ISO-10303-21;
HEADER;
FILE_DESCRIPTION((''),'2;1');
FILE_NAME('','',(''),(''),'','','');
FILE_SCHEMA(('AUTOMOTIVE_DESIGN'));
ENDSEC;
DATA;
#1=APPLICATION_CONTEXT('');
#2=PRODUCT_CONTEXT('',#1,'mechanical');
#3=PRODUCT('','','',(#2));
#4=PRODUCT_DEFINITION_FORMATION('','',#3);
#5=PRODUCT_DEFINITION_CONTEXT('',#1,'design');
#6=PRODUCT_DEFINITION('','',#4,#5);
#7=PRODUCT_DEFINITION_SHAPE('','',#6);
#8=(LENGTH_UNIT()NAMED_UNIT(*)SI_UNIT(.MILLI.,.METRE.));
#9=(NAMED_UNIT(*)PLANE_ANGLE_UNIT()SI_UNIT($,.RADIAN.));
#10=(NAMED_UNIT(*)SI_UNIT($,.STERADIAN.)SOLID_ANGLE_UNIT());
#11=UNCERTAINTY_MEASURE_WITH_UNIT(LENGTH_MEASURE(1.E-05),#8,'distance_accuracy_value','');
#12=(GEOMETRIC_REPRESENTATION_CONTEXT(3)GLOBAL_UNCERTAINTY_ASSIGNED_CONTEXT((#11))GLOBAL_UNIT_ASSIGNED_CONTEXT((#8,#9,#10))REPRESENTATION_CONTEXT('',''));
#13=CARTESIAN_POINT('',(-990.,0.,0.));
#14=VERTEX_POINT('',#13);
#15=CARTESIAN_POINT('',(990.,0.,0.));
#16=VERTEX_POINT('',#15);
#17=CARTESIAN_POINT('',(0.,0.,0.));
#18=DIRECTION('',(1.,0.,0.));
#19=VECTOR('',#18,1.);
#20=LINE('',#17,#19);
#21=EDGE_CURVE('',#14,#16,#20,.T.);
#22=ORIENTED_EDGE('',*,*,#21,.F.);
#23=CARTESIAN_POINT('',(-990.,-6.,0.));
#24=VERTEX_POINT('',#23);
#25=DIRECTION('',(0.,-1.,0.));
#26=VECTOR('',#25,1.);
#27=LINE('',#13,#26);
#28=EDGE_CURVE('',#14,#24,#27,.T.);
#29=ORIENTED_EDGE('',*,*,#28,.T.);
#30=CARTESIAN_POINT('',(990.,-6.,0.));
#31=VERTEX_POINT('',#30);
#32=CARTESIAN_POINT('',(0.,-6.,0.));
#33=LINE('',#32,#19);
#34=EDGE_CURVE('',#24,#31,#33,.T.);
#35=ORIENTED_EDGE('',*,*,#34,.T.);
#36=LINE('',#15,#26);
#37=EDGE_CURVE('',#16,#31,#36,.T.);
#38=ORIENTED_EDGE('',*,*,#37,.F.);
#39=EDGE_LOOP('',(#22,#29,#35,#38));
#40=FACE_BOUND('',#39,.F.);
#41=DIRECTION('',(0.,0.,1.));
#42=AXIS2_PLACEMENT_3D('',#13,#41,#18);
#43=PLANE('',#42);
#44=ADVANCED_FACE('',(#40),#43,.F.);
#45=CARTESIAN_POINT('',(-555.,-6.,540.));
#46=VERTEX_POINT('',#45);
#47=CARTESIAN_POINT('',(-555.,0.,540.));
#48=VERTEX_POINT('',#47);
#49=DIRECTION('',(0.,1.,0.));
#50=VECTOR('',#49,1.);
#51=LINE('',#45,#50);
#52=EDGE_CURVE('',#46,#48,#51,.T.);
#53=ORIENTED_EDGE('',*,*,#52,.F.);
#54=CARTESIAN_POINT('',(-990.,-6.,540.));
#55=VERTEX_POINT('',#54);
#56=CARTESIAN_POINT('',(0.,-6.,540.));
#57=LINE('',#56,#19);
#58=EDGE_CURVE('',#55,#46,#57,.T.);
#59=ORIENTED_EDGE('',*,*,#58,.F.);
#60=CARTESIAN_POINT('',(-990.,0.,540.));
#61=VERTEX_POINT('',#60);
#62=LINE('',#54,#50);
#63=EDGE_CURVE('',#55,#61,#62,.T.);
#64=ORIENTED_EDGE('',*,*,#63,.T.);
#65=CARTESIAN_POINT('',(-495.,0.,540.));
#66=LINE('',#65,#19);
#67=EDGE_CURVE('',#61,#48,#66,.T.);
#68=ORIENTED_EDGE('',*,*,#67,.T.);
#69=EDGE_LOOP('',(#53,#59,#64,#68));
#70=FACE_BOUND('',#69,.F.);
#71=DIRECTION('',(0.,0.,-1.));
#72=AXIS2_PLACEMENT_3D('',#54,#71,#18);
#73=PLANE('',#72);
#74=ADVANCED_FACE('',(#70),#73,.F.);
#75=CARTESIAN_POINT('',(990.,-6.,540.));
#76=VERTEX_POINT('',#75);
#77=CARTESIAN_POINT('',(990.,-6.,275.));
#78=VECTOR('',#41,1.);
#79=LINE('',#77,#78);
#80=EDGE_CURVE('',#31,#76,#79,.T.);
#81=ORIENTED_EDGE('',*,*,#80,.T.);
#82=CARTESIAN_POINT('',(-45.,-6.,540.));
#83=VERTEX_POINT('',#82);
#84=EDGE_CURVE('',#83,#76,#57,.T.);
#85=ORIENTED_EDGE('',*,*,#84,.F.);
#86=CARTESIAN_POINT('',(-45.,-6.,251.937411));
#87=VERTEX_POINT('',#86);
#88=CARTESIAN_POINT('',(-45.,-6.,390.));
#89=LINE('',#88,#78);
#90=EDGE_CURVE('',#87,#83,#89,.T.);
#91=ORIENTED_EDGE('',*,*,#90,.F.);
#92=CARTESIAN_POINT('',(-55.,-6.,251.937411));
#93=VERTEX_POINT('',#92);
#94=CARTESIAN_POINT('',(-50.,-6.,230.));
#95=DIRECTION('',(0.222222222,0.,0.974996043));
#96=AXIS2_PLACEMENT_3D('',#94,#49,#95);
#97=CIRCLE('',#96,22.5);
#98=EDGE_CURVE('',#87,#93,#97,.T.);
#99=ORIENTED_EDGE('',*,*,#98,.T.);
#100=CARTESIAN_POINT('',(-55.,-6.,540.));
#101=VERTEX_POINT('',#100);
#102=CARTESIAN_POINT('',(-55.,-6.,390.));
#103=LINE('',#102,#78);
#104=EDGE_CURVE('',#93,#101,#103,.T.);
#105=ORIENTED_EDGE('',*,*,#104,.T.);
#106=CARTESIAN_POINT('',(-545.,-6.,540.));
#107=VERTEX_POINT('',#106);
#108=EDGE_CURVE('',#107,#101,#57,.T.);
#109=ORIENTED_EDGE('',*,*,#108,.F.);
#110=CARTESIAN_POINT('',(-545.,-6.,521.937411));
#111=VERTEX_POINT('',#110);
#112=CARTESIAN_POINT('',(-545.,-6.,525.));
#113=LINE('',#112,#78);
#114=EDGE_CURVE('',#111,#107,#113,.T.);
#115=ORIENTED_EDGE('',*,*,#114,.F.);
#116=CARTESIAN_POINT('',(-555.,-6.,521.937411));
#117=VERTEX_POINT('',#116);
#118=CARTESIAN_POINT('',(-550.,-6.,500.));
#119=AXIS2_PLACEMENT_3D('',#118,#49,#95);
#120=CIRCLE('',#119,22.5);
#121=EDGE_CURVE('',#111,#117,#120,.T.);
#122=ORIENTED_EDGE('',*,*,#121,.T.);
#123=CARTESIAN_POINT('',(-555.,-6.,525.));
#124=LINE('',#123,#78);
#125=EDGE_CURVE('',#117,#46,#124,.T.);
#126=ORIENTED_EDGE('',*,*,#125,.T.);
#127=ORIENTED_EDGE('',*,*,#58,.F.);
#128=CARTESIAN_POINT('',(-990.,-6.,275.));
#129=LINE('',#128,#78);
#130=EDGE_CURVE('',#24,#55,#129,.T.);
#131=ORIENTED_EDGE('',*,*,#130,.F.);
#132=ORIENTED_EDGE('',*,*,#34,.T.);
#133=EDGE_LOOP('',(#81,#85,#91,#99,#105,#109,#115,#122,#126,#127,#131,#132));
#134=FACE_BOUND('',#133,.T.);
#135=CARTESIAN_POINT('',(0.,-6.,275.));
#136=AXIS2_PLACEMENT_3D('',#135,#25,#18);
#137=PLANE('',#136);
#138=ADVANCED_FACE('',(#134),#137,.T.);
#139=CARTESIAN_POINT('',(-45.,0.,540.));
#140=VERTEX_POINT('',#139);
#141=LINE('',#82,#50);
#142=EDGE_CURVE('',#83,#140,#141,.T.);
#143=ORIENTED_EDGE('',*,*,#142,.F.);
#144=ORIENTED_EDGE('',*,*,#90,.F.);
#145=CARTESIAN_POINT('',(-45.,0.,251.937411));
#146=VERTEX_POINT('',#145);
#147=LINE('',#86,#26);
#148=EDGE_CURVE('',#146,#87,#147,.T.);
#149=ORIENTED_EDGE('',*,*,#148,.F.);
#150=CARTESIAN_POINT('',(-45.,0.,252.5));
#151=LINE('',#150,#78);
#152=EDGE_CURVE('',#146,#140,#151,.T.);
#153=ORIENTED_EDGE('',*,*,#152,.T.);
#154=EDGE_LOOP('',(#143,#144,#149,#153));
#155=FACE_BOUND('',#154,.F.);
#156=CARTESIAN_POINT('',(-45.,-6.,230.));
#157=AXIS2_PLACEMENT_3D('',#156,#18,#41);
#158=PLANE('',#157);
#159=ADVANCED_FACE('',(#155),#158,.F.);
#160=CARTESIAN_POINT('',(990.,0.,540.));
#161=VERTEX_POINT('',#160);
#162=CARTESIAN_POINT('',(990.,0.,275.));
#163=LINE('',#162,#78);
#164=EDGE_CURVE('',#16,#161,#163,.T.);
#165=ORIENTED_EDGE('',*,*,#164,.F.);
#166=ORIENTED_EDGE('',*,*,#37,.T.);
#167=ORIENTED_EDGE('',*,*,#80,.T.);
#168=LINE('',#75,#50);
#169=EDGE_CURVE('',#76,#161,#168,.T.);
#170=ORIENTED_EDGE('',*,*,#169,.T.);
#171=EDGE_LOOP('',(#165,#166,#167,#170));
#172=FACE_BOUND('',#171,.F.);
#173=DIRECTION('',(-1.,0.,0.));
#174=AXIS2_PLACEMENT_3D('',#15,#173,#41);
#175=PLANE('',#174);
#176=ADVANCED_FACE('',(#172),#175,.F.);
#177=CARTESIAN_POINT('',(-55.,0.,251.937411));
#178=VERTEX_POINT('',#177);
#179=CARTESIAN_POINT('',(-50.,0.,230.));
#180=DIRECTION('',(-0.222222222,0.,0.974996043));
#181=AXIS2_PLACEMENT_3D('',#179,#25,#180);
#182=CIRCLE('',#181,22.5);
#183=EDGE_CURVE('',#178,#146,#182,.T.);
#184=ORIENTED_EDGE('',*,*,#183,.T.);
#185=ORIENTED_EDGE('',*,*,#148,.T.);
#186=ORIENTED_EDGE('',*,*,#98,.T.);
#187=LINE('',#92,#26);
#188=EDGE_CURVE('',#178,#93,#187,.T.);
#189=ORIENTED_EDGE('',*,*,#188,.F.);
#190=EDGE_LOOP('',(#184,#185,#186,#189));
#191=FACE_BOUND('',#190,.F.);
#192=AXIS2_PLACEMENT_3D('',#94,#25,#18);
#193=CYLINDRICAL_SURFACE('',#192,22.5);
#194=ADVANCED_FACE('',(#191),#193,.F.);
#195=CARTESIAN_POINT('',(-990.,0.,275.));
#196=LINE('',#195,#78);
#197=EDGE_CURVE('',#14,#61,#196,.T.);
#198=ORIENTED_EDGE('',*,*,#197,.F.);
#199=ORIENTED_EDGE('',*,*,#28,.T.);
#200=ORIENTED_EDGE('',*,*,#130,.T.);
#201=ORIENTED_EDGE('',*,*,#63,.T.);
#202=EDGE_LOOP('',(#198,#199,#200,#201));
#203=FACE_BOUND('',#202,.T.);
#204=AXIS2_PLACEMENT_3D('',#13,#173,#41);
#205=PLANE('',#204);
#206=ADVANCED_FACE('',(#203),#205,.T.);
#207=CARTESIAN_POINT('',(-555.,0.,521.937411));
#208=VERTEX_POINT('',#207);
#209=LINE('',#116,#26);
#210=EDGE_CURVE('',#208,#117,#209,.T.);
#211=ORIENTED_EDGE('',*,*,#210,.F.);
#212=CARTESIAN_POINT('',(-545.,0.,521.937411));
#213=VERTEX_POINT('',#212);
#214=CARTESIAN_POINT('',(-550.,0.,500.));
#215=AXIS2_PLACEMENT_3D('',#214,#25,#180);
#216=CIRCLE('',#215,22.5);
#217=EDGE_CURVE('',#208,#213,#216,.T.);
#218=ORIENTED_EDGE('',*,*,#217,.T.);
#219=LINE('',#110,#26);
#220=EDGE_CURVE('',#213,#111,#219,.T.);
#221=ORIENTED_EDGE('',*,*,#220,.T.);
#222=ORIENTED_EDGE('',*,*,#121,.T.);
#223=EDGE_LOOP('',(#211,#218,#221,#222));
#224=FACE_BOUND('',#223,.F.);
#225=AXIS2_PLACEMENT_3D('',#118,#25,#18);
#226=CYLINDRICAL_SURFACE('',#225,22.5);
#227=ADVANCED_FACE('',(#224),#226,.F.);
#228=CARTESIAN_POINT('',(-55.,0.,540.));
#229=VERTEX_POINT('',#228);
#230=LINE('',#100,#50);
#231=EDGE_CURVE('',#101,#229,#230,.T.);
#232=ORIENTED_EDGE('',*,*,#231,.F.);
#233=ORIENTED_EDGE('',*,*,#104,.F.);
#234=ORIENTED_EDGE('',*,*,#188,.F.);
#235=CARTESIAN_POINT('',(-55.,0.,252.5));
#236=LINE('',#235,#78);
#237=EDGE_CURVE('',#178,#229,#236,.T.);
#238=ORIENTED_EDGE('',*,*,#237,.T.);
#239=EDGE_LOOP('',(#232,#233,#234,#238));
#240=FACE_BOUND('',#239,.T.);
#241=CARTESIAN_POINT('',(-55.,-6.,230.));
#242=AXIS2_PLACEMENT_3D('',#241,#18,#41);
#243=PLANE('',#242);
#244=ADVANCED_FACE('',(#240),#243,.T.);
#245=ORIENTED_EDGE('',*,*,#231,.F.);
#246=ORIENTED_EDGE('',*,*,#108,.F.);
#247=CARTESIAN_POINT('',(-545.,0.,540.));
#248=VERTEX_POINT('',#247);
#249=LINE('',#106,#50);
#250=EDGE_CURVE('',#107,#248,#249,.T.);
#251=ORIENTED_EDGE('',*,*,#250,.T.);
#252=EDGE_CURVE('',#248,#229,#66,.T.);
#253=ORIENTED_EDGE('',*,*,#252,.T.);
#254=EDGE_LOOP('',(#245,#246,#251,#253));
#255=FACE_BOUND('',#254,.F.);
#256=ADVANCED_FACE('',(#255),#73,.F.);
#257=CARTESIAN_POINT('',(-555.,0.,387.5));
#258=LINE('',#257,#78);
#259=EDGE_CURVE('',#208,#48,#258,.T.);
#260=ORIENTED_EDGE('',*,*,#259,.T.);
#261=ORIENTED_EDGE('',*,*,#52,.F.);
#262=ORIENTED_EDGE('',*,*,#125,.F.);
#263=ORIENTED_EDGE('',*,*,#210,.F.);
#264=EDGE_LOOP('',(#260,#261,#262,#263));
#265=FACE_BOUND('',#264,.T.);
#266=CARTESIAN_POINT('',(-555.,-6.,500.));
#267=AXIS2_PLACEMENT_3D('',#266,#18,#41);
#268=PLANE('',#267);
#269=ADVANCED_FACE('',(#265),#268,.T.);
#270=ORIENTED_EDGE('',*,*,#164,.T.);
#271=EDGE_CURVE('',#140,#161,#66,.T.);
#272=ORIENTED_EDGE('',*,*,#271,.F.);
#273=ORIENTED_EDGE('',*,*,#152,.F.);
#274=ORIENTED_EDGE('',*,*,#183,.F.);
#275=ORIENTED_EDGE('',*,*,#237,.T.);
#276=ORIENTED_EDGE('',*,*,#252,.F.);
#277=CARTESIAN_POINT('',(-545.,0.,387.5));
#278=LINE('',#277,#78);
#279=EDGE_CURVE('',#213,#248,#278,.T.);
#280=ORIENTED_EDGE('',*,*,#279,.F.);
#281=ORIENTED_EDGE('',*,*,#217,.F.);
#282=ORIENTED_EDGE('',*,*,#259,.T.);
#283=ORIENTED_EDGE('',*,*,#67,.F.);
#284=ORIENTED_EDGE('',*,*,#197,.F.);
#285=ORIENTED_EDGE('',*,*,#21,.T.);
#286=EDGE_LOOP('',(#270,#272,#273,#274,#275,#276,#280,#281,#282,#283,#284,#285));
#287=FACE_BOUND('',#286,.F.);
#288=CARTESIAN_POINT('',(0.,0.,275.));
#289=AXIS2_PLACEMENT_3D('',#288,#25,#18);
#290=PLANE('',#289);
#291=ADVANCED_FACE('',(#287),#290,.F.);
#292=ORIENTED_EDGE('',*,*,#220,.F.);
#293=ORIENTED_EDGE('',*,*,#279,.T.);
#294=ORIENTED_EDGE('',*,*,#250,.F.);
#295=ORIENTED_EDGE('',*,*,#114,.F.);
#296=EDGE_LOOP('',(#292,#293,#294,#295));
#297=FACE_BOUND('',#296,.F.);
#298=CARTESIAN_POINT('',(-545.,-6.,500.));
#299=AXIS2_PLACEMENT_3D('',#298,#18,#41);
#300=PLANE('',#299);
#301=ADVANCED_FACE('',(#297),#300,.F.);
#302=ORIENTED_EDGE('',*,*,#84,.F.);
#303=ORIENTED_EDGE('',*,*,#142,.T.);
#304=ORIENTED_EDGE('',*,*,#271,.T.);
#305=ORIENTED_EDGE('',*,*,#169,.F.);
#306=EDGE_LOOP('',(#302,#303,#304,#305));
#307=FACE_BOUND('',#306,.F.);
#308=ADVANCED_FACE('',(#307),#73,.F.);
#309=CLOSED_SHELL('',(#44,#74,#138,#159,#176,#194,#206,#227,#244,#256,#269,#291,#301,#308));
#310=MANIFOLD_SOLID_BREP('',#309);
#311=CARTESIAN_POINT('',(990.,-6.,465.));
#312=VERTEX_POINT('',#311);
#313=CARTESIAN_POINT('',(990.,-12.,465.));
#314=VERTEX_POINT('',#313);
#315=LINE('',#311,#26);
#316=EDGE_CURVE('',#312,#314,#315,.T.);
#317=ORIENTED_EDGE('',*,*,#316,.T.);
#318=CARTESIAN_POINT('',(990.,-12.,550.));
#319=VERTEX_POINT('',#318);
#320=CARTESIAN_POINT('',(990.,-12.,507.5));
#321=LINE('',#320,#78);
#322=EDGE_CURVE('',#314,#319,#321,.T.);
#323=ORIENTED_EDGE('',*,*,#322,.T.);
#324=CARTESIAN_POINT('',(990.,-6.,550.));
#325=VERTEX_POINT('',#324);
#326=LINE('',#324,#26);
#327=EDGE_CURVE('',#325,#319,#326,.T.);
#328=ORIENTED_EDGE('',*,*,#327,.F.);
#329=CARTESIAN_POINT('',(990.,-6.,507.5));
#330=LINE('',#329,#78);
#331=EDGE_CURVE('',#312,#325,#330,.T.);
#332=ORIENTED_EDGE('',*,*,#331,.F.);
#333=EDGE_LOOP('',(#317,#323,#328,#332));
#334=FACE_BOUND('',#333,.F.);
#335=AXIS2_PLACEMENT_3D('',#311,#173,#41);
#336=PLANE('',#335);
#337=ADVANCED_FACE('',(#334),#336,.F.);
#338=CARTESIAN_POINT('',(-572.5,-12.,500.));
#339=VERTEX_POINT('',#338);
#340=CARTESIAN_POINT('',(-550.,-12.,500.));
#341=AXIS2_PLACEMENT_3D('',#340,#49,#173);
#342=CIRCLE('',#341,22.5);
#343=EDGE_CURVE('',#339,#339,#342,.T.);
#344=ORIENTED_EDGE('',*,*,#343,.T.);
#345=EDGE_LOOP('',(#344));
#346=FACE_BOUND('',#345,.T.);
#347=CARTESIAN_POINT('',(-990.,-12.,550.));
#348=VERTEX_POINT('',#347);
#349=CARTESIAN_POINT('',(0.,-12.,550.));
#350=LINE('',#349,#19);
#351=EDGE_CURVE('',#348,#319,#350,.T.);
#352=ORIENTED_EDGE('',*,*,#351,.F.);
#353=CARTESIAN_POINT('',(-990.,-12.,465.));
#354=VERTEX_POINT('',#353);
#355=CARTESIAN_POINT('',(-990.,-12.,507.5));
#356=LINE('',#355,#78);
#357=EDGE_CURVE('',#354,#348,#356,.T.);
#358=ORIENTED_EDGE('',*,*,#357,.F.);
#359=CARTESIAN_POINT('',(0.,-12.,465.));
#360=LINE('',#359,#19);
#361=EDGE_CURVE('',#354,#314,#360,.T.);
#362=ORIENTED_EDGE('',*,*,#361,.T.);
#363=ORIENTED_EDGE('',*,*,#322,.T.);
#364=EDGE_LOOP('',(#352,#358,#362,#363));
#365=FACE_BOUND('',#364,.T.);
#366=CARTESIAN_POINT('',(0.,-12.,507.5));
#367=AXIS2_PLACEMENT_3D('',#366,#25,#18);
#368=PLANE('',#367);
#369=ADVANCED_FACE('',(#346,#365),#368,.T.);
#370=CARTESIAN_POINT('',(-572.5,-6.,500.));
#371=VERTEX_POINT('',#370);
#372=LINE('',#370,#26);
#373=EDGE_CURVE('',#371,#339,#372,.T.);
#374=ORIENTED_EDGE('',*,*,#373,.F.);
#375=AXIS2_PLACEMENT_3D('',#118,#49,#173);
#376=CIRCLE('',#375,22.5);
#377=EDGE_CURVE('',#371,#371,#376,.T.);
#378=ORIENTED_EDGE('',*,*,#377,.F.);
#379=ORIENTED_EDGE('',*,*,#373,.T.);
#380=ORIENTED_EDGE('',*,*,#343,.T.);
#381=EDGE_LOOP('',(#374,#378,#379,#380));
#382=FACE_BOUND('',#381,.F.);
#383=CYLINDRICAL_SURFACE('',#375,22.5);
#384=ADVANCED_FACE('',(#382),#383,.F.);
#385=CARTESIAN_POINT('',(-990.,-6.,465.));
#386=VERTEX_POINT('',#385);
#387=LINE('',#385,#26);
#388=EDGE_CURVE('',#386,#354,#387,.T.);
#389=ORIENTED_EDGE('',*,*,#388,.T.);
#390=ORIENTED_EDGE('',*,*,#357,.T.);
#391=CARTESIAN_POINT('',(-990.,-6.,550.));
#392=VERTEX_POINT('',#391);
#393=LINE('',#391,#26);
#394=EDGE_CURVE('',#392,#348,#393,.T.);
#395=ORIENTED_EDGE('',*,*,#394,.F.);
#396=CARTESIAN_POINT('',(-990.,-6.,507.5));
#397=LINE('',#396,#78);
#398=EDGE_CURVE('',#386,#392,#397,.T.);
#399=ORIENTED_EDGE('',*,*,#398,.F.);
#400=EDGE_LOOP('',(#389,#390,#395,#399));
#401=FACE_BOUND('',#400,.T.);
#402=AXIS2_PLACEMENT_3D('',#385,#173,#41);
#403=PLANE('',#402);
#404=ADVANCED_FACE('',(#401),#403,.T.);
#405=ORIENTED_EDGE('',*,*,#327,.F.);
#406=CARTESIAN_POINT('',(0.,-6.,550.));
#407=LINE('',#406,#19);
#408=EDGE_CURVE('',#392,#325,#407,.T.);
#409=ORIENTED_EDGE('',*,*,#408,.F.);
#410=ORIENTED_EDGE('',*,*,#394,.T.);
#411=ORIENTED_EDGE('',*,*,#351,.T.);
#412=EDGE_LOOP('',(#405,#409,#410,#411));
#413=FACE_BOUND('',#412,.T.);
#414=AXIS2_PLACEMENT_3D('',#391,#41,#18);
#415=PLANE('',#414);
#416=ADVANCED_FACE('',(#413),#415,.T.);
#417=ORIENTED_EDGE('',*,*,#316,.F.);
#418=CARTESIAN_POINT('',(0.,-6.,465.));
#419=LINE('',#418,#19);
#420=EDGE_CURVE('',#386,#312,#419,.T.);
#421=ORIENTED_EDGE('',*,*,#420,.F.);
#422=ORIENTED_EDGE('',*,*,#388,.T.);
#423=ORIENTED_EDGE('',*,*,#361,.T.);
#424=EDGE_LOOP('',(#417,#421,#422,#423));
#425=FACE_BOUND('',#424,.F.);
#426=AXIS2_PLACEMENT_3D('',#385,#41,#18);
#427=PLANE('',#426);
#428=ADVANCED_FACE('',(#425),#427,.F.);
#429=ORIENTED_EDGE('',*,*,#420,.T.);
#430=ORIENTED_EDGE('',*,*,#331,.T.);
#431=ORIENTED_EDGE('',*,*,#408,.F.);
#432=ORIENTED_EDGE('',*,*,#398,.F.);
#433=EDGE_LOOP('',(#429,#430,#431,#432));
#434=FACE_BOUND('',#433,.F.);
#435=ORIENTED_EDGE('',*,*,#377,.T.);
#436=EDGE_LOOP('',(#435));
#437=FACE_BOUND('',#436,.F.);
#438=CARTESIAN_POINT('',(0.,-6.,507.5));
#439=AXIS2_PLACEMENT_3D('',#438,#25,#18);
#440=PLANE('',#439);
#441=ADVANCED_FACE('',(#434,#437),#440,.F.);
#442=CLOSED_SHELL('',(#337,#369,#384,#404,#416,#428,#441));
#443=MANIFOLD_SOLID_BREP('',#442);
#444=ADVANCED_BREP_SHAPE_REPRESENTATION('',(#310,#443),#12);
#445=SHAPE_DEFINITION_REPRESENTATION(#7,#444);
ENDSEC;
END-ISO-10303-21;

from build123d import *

# Parameters (mm, degrees)
F0_W      = 1980
F0_H      = 550
F1_DEPTH  = 6
F2_W      = 1980
F2_H      = 85
F3_DEPTH  = 6
F4_R      = 22.5
F5_DEPTH  = 6.001
F6_W      = 10
F6_H      = 320
F6_H_2    = 50
F7_DEPTH  = 6.001
F8_W      = 1980
F8_H      = 10
F9_DEPTH  = 6.001
F10_R     = 22.5
F11_DEPTH = 25


with BuildPart() as f1:
    # F0 (on Front) → F1 (new body)
    with BuildSketch(Plane.XZ):
        with Locations((0, 275)):
            Rectangle(F0_W, F0_H)
    extrude(amount=F1_DEPTH)

    # F4 (on face) → F5 (cut, through all)
    with BuildSketch(Plane.XZ.offset(6)):
        with Locations((-50, 230)):
            Circle(F4_R)
        with Locations((-550, 500)):
            Circle(F4_R)
    extrude(amount=-F5_DEPTH, mode=Mode.SUBTRACT)

    # F6 (on face) → F7 (cut, through all)
    with BuildSketch(Plane.XZ.offset(6)):
        with Locations((-50, 390)):
            Rectangle(F6_W, F6_H)
        with Locations((-550, 525)):
            Rectangle(F6_W, F6_H_2)
    extrude(amount=-F7_DEPTH, mode=Mode.SUBTRACT)

    # F8 (on face) → F9 (cut, through all)
    with BuildSketch(Plane.XZ.offset(6)):
        with Locations((0, 545)):
            Rectangle(F8_W, F8_H)
    extrude(amount=-F9_DEPTH, mode=Mode.SUBTRACT)


with BuildPart() as f3:
    # F2 (on face) → F3 (new body)
    with BuildSketch(Plane.XZ.offset(6)):
        with Locations((0, 507.5)):
            Rectangle(F2_W, F2_H)
    extrude(amount=F3_DEPTH)

    # F10 (on face) → F11 (cut)
    with BuildSketch(Plane(origin=(0, -6, 0), x_dir=(-1, 0, 0), z_dir=(0, 1, 0))):
        with Locations((550, 500)):
            Circle(F10_R)
    extrude(amount=-F11_DEPTH, mode=Mode.SUBTRACT)


solid = Compound([f1.part, f3.part])
